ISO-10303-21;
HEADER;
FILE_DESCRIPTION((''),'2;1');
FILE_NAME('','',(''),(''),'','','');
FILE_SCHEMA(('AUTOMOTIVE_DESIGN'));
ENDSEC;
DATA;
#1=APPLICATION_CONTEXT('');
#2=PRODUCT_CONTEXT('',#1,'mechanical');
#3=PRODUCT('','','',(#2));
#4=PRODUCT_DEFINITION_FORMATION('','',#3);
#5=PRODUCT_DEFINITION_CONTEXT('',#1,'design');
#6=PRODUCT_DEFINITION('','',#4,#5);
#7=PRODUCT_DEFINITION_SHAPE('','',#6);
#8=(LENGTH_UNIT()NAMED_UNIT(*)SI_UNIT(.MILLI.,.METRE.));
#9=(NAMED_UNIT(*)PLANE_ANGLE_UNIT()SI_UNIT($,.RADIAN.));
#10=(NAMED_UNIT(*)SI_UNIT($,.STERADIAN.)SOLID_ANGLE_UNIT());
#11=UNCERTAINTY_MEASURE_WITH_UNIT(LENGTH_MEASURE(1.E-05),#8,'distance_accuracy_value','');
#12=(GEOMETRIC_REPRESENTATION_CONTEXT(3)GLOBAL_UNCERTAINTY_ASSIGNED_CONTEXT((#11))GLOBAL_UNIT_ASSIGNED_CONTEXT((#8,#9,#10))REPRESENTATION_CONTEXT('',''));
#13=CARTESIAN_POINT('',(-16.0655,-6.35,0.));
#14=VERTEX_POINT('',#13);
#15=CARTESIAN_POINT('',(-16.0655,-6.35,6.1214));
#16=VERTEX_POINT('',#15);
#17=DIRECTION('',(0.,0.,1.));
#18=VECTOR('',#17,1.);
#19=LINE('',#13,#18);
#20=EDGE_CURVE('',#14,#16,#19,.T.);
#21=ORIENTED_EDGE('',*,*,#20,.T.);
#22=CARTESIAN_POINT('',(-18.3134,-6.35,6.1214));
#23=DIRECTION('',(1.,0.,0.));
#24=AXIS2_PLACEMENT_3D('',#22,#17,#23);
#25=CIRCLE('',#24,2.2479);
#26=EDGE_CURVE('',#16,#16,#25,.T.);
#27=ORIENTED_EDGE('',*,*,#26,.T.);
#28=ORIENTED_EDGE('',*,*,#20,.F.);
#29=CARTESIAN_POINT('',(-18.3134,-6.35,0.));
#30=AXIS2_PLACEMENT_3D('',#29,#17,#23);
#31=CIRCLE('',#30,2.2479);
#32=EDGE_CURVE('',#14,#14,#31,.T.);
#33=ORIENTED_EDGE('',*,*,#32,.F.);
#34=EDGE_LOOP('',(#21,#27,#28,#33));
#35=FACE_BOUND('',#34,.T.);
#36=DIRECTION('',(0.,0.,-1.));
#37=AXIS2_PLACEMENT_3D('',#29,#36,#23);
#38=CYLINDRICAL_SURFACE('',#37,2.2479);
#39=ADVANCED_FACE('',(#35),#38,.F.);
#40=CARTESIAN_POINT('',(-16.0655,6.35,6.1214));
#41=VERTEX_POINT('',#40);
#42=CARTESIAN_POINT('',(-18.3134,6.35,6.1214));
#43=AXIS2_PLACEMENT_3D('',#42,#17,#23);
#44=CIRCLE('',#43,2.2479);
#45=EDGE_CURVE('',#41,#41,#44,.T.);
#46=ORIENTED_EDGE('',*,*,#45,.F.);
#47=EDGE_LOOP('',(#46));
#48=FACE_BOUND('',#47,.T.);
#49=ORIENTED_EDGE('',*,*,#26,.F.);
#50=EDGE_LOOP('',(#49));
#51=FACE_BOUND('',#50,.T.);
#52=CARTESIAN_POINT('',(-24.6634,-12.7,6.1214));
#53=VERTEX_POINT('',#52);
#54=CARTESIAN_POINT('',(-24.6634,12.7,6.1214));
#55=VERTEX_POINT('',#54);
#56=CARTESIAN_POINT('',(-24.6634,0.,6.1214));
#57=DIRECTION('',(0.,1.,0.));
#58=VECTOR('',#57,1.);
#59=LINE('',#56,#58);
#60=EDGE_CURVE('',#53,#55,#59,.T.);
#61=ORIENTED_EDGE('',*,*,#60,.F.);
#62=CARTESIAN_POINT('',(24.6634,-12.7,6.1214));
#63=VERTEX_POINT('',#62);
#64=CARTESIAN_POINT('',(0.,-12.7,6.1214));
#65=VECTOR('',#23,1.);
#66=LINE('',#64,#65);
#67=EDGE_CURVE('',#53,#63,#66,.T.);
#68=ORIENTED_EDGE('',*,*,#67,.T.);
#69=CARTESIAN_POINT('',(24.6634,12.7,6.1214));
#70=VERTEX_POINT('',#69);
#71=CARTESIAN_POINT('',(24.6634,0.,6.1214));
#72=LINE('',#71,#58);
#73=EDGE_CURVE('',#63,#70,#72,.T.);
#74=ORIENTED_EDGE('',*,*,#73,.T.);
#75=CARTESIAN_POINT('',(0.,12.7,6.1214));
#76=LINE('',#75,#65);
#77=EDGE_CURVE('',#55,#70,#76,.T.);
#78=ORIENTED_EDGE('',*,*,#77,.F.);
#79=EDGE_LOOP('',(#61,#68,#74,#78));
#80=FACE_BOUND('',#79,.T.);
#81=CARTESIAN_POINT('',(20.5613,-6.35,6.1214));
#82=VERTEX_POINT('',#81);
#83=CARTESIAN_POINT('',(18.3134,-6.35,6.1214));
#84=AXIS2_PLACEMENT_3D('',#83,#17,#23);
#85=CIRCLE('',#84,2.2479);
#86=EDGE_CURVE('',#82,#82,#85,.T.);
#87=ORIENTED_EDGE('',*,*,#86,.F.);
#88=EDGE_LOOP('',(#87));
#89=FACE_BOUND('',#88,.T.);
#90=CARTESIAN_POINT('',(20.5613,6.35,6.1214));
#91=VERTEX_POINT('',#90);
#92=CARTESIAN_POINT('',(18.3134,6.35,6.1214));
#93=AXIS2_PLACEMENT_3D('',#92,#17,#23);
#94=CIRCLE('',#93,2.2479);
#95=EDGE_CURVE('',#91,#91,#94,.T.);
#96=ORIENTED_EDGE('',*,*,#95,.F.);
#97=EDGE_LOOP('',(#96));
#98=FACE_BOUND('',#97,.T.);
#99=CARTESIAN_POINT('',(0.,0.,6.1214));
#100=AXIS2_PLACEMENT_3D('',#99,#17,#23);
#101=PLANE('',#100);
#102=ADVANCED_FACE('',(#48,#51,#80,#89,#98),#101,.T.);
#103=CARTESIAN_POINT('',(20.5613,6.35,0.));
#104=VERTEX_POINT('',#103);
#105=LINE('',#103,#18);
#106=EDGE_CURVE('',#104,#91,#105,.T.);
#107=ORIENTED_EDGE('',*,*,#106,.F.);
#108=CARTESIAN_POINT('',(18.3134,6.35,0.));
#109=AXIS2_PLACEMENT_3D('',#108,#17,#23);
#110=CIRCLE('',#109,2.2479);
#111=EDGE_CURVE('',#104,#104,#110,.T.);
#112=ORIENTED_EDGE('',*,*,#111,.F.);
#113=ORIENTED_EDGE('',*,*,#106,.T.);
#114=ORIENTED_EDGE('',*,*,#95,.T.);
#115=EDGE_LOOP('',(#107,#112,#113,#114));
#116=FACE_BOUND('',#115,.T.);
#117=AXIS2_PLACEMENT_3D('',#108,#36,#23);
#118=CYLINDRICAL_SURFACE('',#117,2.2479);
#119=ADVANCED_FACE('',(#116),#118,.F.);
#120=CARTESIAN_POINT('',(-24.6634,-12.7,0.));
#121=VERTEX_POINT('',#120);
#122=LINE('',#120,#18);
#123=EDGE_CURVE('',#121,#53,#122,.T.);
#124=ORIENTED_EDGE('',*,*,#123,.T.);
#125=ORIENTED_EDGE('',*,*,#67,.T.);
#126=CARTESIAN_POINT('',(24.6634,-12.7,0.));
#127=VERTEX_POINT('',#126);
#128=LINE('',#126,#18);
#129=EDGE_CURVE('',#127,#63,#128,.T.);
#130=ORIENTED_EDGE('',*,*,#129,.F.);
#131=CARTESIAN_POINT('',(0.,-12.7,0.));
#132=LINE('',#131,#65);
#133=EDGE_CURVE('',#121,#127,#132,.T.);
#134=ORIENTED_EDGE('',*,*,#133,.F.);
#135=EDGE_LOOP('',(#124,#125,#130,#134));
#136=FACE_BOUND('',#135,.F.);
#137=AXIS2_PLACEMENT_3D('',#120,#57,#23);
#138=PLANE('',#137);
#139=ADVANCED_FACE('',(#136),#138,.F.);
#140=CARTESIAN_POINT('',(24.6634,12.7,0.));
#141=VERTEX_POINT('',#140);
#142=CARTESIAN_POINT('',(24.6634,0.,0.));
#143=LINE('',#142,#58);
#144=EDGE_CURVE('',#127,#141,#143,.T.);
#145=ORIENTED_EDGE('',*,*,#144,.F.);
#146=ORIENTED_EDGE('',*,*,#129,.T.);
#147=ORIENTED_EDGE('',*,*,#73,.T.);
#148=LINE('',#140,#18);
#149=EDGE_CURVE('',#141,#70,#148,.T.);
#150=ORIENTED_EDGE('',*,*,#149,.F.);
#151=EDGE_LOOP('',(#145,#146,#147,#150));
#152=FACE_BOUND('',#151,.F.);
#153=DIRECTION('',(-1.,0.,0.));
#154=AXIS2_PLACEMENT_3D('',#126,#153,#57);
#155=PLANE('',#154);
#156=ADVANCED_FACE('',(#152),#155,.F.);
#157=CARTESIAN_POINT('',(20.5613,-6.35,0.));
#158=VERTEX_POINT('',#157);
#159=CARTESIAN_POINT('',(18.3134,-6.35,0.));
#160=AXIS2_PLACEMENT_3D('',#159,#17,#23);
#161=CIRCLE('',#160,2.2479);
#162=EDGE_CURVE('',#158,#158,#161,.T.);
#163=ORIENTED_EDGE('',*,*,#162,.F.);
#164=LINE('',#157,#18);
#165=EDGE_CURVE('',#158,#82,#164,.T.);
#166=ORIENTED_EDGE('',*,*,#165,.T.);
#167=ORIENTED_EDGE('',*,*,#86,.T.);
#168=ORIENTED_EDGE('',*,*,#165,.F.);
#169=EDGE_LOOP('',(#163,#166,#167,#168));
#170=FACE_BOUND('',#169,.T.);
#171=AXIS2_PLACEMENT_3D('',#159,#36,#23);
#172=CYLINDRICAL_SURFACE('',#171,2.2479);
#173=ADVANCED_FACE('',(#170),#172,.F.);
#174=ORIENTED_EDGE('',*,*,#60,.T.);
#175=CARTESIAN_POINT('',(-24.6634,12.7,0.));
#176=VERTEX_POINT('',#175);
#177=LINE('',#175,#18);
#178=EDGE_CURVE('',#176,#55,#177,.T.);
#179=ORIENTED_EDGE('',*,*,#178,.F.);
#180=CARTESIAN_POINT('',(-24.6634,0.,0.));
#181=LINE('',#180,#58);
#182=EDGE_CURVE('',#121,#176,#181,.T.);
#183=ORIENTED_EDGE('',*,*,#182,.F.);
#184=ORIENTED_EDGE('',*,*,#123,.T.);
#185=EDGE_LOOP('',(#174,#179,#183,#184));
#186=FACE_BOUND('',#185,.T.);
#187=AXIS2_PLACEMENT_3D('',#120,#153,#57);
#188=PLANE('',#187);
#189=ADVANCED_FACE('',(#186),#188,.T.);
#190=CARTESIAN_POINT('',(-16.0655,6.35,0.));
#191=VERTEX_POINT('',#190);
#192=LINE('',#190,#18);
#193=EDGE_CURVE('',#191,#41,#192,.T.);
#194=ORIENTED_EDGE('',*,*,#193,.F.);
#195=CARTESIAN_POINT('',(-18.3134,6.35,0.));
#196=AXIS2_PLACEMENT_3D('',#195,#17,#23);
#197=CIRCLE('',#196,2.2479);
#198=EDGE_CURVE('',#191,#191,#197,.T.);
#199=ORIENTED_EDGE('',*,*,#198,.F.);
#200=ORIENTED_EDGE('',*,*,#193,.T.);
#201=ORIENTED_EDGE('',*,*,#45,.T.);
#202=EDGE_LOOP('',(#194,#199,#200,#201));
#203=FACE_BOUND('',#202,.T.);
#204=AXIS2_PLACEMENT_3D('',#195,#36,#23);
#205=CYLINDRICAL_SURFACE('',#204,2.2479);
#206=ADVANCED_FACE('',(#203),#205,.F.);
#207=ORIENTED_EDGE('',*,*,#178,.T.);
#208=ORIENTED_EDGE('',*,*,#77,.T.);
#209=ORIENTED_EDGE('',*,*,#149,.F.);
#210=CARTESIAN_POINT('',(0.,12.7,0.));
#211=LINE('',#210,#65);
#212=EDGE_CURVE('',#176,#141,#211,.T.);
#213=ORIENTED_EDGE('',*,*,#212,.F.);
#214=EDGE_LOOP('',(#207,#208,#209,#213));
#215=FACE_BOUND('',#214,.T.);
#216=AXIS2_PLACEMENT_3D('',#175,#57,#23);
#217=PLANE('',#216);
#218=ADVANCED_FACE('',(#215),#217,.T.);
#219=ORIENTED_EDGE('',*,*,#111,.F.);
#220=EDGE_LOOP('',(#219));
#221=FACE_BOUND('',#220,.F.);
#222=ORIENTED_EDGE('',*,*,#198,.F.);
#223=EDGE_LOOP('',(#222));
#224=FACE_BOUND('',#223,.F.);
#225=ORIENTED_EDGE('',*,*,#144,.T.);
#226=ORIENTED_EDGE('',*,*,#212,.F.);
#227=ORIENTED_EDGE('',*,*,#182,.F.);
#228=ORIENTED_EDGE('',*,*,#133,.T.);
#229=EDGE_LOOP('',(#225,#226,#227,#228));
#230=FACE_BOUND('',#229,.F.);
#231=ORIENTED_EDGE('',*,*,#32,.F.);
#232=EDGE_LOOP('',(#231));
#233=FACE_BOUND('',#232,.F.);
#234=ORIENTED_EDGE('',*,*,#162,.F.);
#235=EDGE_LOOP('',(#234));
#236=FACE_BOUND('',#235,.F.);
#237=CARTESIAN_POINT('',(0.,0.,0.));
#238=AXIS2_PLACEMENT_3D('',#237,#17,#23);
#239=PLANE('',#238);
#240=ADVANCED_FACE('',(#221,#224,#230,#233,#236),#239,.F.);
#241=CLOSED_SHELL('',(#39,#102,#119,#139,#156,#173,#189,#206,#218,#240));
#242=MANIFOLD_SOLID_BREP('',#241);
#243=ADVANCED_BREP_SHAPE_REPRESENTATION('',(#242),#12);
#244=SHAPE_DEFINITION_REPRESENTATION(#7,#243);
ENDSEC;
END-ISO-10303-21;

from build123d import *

# Parameters (mm, degrees)
SKETCH_W  = 49.3268
SKETCH_H  = 25.4
SKETCH_R  = 2.2479
PAD_DEPTH = 6.1214


with BuildPart() as part:
    # Sketch → Pad (new body)
    with BuildSketch(Plane.XY):
        Rectangle(SKETCH_W, SKETCH_H)
        with Locations((-18.3134, 6.35)):
            Circle(SKETCH_R, mode=Mode.SUBTRACT)
        with Locations((-18.3134, -6.35)):
            Circle(SKETCH_R, mode=Mode.SUBTRACT)
        with Locations((18.3134, -6.35)):
            Circle(SKETCH_R, mode=Mode.SUBTRACT)
        with Locations((18.3134, 6.35)):
            Circle(SKETCH_R, mode=Mode.SUBTRACT)
    extrude(amount=PAD_DEPTH)


solid = part.part
